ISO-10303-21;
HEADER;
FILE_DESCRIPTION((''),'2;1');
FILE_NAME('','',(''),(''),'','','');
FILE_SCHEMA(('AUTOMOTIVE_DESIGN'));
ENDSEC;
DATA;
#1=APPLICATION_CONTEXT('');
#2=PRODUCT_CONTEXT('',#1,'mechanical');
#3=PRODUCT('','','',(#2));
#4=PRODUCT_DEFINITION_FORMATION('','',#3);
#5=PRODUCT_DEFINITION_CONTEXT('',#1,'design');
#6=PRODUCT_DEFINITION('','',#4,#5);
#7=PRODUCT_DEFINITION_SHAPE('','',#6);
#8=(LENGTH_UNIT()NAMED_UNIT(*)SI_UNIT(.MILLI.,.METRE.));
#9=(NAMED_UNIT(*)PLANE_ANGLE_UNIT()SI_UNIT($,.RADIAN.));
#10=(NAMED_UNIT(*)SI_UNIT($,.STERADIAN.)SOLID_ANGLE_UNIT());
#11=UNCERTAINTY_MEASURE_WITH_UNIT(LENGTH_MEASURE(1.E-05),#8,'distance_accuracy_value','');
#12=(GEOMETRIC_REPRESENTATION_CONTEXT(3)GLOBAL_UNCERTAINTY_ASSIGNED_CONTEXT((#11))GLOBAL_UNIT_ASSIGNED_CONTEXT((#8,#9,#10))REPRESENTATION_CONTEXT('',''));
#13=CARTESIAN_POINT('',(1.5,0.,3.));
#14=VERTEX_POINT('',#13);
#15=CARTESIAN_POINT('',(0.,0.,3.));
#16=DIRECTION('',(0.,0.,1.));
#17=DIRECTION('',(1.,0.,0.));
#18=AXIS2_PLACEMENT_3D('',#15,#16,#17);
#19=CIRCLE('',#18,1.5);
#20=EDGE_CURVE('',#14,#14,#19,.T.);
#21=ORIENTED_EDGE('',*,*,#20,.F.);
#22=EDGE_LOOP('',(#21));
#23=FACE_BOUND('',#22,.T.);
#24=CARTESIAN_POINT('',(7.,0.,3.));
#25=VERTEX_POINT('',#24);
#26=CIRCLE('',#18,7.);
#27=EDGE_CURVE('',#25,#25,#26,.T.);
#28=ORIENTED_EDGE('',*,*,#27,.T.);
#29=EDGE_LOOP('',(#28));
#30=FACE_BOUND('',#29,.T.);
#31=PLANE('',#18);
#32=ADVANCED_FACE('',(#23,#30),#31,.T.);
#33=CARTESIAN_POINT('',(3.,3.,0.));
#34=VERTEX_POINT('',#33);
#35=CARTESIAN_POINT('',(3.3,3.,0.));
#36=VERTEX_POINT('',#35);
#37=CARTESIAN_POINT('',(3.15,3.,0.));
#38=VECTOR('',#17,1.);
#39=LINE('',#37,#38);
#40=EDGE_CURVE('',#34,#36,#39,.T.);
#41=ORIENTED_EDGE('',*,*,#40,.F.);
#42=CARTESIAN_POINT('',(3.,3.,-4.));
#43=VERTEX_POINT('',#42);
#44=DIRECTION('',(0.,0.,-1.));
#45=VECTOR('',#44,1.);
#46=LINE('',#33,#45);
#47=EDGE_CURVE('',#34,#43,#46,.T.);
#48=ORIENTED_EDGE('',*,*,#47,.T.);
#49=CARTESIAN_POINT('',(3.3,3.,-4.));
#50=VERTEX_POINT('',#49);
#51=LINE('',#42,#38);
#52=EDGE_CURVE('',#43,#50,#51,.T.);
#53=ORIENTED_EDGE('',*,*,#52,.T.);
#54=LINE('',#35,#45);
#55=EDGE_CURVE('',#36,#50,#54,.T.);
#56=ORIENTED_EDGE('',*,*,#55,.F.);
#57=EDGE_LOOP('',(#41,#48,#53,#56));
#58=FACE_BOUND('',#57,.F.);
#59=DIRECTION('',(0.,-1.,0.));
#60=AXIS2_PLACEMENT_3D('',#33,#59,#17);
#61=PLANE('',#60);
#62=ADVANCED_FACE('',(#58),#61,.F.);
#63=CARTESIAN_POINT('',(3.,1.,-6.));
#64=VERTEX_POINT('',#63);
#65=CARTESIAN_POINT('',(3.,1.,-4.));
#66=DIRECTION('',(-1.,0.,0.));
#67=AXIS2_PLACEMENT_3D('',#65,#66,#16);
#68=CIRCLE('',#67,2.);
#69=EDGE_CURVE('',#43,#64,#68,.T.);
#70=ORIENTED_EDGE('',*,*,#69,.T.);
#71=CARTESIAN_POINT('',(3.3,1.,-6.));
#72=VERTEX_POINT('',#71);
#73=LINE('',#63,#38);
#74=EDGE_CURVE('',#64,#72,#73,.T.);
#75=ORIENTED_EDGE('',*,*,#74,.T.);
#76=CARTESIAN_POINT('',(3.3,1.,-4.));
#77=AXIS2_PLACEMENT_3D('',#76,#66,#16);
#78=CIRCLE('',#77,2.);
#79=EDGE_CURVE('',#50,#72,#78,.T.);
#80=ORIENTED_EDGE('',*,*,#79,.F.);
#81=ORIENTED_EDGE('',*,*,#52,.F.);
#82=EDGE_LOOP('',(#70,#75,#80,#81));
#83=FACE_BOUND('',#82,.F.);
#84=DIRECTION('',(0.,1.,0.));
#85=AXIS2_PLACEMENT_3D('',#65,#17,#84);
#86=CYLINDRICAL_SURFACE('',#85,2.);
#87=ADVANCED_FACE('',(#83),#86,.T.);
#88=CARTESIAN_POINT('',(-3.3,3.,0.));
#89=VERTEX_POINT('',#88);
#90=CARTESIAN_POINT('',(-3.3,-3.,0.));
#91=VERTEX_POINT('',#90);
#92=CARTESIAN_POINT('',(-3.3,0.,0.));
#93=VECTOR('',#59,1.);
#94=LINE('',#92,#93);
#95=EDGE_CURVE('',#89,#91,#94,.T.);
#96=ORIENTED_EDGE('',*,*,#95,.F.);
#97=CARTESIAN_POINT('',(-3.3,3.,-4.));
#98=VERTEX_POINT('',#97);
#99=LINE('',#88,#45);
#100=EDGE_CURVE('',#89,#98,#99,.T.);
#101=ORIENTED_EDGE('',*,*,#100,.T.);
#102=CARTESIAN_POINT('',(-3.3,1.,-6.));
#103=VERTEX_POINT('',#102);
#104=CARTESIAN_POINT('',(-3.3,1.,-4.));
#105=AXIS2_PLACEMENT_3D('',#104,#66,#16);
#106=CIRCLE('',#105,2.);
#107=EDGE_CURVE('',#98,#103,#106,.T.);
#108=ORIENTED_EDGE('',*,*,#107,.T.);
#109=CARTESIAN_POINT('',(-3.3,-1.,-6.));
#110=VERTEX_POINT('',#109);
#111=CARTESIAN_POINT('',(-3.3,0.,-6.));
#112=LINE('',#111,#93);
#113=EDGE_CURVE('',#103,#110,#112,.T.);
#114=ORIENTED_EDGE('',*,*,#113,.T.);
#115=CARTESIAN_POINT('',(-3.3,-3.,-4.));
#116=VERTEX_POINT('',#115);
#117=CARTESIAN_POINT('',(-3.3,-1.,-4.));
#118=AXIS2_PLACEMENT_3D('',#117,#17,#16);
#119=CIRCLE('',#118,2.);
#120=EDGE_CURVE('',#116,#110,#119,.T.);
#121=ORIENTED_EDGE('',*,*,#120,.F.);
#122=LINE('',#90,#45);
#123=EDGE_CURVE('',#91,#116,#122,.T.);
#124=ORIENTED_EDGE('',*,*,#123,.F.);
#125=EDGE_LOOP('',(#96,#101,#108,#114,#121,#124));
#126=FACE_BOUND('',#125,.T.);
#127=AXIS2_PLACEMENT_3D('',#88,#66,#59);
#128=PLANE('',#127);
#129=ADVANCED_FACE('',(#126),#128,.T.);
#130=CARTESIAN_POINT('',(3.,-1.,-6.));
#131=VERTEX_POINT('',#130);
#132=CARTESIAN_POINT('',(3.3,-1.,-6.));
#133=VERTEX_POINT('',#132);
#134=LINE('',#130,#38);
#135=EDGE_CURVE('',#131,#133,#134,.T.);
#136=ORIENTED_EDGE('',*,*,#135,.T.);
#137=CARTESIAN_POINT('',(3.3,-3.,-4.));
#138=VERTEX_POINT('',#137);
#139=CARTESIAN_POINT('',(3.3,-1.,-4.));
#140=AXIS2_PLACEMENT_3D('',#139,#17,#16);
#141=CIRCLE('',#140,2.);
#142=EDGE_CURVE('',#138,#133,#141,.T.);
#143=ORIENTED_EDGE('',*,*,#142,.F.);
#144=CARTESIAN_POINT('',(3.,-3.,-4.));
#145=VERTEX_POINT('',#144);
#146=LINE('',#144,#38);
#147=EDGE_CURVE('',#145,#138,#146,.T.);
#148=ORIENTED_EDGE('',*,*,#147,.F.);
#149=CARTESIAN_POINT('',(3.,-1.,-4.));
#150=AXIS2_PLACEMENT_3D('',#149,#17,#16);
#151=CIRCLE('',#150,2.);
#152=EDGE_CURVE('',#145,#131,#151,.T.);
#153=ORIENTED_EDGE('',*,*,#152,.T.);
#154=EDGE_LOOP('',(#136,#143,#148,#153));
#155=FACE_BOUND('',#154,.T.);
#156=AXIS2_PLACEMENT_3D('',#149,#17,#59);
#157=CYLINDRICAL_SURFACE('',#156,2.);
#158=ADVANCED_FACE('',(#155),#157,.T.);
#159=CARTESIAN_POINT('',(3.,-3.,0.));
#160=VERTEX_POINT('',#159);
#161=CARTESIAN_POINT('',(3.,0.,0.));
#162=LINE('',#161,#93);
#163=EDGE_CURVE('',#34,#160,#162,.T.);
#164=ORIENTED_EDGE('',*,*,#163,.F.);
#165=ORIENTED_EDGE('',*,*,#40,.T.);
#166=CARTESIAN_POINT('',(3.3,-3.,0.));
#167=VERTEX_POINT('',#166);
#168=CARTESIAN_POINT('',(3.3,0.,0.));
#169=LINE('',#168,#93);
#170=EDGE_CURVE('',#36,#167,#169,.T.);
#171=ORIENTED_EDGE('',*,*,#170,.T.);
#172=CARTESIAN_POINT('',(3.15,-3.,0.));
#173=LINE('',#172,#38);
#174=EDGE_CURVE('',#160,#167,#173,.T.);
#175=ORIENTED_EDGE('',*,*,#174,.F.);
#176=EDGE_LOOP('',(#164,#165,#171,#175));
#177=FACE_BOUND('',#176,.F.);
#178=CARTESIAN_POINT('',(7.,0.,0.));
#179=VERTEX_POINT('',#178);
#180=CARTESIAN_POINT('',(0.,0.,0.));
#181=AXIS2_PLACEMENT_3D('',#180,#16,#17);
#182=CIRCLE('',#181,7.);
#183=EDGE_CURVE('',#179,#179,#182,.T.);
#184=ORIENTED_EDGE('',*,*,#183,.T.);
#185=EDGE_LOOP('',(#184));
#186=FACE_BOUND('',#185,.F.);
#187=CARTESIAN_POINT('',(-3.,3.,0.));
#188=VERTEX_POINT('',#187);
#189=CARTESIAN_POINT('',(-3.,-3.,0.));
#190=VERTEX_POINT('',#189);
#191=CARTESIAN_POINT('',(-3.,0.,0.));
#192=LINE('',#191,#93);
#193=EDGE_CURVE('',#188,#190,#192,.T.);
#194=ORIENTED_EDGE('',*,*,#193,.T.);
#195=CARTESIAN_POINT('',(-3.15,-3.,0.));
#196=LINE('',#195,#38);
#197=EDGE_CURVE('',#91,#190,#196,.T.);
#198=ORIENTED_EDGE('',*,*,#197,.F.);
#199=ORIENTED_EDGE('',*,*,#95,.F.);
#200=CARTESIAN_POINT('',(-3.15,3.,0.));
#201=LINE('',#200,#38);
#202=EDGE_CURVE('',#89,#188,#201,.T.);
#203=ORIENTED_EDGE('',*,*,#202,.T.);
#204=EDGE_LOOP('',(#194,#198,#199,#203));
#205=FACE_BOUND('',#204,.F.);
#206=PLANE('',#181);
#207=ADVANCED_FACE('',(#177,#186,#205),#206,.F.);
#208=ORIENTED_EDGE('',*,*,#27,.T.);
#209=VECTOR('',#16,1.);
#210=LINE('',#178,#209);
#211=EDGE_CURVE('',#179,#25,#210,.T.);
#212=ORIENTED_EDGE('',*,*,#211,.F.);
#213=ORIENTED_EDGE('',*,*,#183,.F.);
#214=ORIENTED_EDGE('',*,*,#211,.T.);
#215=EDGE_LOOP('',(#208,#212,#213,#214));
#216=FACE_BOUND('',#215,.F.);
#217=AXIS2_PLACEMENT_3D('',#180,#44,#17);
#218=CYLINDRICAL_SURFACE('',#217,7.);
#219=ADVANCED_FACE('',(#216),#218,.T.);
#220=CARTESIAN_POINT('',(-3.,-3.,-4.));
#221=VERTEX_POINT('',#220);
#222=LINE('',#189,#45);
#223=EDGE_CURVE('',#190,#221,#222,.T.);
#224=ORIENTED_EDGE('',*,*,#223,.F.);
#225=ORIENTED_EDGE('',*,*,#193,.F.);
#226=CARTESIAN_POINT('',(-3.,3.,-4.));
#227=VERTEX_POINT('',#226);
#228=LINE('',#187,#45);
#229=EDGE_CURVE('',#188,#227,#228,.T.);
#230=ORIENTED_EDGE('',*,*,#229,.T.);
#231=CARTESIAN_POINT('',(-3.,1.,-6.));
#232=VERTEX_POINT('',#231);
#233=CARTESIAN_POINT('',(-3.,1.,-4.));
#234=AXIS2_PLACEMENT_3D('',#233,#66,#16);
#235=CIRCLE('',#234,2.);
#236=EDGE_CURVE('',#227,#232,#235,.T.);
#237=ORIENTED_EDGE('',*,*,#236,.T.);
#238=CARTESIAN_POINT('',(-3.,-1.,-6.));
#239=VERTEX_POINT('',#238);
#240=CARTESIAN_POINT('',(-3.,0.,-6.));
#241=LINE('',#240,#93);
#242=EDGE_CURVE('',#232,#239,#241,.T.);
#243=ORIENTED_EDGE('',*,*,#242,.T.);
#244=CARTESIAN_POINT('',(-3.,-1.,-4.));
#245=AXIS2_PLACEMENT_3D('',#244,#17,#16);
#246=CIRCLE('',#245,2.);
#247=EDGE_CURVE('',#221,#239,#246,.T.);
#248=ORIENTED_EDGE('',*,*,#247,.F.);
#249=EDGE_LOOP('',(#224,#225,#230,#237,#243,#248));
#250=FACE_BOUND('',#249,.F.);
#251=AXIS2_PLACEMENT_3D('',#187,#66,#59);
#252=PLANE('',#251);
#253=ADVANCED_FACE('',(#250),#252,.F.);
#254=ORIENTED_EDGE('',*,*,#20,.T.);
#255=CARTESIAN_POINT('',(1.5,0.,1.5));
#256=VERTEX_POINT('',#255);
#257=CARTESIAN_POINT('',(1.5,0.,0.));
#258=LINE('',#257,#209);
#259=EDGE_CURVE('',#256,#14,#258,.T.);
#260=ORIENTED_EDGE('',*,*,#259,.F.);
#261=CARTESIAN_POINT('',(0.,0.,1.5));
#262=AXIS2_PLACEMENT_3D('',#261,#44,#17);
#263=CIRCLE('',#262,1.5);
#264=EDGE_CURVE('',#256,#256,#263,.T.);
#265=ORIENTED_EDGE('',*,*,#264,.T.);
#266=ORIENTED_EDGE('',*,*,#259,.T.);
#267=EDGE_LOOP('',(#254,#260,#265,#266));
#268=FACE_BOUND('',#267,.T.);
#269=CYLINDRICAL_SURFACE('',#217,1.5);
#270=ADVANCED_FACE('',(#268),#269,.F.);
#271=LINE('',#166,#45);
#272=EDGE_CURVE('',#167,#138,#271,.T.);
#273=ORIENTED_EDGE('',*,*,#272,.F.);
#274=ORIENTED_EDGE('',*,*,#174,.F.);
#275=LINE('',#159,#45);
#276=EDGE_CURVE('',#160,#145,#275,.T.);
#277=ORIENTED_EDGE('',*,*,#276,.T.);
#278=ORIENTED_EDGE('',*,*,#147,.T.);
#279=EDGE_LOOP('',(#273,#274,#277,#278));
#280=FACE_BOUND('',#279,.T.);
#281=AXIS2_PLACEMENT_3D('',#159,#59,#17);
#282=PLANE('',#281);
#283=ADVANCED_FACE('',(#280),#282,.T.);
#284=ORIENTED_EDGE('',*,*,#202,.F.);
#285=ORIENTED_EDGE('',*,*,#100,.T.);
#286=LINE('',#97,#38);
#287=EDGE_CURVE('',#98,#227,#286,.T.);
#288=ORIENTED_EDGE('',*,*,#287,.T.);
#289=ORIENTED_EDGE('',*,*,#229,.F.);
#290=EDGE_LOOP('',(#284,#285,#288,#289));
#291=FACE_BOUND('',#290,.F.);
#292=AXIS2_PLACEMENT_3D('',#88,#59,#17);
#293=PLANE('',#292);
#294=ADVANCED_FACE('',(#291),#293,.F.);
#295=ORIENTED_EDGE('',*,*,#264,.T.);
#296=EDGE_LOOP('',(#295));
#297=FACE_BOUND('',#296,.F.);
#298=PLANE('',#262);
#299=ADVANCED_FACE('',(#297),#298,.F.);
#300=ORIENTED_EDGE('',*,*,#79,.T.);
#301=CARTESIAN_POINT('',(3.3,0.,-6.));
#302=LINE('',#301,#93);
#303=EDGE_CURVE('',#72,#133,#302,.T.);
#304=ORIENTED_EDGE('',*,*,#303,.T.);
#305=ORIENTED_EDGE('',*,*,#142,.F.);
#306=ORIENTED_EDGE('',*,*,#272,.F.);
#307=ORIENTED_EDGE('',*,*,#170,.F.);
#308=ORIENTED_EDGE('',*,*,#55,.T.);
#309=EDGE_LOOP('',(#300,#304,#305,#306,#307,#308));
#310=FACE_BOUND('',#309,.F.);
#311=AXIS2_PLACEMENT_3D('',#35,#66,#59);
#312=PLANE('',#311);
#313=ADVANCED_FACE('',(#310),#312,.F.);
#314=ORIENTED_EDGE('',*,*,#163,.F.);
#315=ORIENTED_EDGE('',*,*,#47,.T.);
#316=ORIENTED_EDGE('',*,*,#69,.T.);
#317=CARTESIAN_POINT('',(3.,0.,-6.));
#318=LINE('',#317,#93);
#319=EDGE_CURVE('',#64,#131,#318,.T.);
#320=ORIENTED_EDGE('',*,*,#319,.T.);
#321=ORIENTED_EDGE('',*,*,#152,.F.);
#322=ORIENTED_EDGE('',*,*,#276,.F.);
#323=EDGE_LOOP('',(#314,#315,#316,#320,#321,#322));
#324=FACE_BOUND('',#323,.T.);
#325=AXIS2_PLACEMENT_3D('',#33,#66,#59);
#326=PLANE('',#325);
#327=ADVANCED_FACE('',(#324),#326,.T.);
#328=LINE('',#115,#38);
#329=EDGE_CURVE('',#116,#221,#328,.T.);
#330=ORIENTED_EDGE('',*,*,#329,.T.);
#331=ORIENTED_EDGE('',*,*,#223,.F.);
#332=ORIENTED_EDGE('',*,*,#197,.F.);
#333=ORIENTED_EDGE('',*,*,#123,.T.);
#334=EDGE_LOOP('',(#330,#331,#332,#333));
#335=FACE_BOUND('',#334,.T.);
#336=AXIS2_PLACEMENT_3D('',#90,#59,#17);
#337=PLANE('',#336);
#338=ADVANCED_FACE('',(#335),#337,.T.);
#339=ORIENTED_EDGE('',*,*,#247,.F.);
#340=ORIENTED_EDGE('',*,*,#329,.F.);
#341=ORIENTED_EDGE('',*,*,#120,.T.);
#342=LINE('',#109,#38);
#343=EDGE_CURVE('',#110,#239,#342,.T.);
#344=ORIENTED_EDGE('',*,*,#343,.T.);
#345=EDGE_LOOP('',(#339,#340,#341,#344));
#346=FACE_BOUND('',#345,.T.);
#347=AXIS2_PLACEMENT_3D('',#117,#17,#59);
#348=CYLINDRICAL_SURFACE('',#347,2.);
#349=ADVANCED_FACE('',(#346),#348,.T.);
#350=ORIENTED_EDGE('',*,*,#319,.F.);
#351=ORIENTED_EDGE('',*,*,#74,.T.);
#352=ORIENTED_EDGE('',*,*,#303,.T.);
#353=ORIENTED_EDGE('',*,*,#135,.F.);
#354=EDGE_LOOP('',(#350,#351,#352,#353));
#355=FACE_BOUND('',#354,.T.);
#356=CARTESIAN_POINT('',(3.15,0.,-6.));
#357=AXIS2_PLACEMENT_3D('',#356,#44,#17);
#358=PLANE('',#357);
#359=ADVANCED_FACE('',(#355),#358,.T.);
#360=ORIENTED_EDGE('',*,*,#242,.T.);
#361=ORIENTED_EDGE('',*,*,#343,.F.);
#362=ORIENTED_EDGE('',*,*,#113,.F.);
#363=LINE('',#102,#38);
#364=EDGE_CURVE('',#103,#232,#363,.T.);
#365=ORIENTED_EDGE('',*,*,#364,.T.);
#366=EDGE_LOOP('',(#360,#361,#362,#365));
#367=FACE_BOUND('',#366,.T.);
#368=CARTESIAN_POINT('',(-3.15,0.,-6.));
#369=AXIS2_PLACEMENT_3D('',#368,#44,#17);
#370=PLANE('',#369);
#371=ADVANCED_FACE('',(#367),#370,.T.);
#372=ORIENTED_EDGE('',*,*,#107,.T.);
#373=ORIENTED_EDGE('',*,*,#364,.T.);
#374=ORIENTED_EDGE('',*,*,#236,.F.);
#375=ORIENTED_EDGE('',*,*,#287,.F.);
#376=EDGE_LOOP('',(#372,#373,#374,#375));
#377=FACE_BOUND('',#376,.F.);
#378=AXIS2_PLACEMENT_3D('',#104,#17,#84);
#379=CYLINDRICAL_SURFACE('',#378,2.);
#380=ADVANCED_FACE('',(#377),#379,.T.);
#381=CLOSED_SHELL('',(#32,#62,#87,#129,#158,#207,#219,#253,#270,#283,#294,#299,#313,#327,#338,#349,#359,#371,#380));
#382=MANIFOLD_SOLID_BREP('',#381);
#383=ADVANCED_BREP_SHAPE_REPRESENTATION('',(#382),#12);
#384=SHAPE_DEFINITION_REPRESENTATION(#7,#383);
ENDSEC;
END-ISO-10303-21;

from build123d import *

# Parameters (mm, degrees)
F0_R     = 7
F0_R_2   = 1.5
F1_DEPTH = 3
F2_R     = 1.551902
F3_DEPTH = 1.5
F4_W     = 0.3
F4_H     = 6
F5_DEPTH = 6
F6_R     = 2


with BuildPart() as f1:
    # F0 (on Top) → F1 (new body)
    with BuildSketch(Plane.XY):
        Circle(F0_R)
        Circle(F0_R_2, mode=Mode.SUBTRACT)
    extrude(amount=F1_DEPTH)

    # F2 (on face) → F3 (join)
    with BuildSketch(Plane(origin=(0, 0, 0), x_dir=(1, 0, 0), z_dir=(0, 0, -1))):
        Circle(F2_R)
    extrude(amount=-F3_DEPTH)

    # F4 (on face) → F5 (join)
    with BuildSketch(Plane(origin=(0, 0, 0), x_dir=(1, 0, 0), z_dir=(0, 0, -1))):
        with Locations((-3.15, 0)):
            Rectangle(F4_W, F4_H)
        with Locations((3.15, 0)):
            Rectangle(F4_W, F4_H)
    extrude(amount=F5_DEPTH)

    # F6
    f6_edges = [f1.edges().sort_by_distance(p)[0] for p in [
        (-3.15, -3, -6),
        (-3.15, 3, -6),
        (3.15, 3, -6),
        (3.15, -3, -6),
    ]]
    fillet(f6_edges, radius=F6_R)


solid = f1.part
